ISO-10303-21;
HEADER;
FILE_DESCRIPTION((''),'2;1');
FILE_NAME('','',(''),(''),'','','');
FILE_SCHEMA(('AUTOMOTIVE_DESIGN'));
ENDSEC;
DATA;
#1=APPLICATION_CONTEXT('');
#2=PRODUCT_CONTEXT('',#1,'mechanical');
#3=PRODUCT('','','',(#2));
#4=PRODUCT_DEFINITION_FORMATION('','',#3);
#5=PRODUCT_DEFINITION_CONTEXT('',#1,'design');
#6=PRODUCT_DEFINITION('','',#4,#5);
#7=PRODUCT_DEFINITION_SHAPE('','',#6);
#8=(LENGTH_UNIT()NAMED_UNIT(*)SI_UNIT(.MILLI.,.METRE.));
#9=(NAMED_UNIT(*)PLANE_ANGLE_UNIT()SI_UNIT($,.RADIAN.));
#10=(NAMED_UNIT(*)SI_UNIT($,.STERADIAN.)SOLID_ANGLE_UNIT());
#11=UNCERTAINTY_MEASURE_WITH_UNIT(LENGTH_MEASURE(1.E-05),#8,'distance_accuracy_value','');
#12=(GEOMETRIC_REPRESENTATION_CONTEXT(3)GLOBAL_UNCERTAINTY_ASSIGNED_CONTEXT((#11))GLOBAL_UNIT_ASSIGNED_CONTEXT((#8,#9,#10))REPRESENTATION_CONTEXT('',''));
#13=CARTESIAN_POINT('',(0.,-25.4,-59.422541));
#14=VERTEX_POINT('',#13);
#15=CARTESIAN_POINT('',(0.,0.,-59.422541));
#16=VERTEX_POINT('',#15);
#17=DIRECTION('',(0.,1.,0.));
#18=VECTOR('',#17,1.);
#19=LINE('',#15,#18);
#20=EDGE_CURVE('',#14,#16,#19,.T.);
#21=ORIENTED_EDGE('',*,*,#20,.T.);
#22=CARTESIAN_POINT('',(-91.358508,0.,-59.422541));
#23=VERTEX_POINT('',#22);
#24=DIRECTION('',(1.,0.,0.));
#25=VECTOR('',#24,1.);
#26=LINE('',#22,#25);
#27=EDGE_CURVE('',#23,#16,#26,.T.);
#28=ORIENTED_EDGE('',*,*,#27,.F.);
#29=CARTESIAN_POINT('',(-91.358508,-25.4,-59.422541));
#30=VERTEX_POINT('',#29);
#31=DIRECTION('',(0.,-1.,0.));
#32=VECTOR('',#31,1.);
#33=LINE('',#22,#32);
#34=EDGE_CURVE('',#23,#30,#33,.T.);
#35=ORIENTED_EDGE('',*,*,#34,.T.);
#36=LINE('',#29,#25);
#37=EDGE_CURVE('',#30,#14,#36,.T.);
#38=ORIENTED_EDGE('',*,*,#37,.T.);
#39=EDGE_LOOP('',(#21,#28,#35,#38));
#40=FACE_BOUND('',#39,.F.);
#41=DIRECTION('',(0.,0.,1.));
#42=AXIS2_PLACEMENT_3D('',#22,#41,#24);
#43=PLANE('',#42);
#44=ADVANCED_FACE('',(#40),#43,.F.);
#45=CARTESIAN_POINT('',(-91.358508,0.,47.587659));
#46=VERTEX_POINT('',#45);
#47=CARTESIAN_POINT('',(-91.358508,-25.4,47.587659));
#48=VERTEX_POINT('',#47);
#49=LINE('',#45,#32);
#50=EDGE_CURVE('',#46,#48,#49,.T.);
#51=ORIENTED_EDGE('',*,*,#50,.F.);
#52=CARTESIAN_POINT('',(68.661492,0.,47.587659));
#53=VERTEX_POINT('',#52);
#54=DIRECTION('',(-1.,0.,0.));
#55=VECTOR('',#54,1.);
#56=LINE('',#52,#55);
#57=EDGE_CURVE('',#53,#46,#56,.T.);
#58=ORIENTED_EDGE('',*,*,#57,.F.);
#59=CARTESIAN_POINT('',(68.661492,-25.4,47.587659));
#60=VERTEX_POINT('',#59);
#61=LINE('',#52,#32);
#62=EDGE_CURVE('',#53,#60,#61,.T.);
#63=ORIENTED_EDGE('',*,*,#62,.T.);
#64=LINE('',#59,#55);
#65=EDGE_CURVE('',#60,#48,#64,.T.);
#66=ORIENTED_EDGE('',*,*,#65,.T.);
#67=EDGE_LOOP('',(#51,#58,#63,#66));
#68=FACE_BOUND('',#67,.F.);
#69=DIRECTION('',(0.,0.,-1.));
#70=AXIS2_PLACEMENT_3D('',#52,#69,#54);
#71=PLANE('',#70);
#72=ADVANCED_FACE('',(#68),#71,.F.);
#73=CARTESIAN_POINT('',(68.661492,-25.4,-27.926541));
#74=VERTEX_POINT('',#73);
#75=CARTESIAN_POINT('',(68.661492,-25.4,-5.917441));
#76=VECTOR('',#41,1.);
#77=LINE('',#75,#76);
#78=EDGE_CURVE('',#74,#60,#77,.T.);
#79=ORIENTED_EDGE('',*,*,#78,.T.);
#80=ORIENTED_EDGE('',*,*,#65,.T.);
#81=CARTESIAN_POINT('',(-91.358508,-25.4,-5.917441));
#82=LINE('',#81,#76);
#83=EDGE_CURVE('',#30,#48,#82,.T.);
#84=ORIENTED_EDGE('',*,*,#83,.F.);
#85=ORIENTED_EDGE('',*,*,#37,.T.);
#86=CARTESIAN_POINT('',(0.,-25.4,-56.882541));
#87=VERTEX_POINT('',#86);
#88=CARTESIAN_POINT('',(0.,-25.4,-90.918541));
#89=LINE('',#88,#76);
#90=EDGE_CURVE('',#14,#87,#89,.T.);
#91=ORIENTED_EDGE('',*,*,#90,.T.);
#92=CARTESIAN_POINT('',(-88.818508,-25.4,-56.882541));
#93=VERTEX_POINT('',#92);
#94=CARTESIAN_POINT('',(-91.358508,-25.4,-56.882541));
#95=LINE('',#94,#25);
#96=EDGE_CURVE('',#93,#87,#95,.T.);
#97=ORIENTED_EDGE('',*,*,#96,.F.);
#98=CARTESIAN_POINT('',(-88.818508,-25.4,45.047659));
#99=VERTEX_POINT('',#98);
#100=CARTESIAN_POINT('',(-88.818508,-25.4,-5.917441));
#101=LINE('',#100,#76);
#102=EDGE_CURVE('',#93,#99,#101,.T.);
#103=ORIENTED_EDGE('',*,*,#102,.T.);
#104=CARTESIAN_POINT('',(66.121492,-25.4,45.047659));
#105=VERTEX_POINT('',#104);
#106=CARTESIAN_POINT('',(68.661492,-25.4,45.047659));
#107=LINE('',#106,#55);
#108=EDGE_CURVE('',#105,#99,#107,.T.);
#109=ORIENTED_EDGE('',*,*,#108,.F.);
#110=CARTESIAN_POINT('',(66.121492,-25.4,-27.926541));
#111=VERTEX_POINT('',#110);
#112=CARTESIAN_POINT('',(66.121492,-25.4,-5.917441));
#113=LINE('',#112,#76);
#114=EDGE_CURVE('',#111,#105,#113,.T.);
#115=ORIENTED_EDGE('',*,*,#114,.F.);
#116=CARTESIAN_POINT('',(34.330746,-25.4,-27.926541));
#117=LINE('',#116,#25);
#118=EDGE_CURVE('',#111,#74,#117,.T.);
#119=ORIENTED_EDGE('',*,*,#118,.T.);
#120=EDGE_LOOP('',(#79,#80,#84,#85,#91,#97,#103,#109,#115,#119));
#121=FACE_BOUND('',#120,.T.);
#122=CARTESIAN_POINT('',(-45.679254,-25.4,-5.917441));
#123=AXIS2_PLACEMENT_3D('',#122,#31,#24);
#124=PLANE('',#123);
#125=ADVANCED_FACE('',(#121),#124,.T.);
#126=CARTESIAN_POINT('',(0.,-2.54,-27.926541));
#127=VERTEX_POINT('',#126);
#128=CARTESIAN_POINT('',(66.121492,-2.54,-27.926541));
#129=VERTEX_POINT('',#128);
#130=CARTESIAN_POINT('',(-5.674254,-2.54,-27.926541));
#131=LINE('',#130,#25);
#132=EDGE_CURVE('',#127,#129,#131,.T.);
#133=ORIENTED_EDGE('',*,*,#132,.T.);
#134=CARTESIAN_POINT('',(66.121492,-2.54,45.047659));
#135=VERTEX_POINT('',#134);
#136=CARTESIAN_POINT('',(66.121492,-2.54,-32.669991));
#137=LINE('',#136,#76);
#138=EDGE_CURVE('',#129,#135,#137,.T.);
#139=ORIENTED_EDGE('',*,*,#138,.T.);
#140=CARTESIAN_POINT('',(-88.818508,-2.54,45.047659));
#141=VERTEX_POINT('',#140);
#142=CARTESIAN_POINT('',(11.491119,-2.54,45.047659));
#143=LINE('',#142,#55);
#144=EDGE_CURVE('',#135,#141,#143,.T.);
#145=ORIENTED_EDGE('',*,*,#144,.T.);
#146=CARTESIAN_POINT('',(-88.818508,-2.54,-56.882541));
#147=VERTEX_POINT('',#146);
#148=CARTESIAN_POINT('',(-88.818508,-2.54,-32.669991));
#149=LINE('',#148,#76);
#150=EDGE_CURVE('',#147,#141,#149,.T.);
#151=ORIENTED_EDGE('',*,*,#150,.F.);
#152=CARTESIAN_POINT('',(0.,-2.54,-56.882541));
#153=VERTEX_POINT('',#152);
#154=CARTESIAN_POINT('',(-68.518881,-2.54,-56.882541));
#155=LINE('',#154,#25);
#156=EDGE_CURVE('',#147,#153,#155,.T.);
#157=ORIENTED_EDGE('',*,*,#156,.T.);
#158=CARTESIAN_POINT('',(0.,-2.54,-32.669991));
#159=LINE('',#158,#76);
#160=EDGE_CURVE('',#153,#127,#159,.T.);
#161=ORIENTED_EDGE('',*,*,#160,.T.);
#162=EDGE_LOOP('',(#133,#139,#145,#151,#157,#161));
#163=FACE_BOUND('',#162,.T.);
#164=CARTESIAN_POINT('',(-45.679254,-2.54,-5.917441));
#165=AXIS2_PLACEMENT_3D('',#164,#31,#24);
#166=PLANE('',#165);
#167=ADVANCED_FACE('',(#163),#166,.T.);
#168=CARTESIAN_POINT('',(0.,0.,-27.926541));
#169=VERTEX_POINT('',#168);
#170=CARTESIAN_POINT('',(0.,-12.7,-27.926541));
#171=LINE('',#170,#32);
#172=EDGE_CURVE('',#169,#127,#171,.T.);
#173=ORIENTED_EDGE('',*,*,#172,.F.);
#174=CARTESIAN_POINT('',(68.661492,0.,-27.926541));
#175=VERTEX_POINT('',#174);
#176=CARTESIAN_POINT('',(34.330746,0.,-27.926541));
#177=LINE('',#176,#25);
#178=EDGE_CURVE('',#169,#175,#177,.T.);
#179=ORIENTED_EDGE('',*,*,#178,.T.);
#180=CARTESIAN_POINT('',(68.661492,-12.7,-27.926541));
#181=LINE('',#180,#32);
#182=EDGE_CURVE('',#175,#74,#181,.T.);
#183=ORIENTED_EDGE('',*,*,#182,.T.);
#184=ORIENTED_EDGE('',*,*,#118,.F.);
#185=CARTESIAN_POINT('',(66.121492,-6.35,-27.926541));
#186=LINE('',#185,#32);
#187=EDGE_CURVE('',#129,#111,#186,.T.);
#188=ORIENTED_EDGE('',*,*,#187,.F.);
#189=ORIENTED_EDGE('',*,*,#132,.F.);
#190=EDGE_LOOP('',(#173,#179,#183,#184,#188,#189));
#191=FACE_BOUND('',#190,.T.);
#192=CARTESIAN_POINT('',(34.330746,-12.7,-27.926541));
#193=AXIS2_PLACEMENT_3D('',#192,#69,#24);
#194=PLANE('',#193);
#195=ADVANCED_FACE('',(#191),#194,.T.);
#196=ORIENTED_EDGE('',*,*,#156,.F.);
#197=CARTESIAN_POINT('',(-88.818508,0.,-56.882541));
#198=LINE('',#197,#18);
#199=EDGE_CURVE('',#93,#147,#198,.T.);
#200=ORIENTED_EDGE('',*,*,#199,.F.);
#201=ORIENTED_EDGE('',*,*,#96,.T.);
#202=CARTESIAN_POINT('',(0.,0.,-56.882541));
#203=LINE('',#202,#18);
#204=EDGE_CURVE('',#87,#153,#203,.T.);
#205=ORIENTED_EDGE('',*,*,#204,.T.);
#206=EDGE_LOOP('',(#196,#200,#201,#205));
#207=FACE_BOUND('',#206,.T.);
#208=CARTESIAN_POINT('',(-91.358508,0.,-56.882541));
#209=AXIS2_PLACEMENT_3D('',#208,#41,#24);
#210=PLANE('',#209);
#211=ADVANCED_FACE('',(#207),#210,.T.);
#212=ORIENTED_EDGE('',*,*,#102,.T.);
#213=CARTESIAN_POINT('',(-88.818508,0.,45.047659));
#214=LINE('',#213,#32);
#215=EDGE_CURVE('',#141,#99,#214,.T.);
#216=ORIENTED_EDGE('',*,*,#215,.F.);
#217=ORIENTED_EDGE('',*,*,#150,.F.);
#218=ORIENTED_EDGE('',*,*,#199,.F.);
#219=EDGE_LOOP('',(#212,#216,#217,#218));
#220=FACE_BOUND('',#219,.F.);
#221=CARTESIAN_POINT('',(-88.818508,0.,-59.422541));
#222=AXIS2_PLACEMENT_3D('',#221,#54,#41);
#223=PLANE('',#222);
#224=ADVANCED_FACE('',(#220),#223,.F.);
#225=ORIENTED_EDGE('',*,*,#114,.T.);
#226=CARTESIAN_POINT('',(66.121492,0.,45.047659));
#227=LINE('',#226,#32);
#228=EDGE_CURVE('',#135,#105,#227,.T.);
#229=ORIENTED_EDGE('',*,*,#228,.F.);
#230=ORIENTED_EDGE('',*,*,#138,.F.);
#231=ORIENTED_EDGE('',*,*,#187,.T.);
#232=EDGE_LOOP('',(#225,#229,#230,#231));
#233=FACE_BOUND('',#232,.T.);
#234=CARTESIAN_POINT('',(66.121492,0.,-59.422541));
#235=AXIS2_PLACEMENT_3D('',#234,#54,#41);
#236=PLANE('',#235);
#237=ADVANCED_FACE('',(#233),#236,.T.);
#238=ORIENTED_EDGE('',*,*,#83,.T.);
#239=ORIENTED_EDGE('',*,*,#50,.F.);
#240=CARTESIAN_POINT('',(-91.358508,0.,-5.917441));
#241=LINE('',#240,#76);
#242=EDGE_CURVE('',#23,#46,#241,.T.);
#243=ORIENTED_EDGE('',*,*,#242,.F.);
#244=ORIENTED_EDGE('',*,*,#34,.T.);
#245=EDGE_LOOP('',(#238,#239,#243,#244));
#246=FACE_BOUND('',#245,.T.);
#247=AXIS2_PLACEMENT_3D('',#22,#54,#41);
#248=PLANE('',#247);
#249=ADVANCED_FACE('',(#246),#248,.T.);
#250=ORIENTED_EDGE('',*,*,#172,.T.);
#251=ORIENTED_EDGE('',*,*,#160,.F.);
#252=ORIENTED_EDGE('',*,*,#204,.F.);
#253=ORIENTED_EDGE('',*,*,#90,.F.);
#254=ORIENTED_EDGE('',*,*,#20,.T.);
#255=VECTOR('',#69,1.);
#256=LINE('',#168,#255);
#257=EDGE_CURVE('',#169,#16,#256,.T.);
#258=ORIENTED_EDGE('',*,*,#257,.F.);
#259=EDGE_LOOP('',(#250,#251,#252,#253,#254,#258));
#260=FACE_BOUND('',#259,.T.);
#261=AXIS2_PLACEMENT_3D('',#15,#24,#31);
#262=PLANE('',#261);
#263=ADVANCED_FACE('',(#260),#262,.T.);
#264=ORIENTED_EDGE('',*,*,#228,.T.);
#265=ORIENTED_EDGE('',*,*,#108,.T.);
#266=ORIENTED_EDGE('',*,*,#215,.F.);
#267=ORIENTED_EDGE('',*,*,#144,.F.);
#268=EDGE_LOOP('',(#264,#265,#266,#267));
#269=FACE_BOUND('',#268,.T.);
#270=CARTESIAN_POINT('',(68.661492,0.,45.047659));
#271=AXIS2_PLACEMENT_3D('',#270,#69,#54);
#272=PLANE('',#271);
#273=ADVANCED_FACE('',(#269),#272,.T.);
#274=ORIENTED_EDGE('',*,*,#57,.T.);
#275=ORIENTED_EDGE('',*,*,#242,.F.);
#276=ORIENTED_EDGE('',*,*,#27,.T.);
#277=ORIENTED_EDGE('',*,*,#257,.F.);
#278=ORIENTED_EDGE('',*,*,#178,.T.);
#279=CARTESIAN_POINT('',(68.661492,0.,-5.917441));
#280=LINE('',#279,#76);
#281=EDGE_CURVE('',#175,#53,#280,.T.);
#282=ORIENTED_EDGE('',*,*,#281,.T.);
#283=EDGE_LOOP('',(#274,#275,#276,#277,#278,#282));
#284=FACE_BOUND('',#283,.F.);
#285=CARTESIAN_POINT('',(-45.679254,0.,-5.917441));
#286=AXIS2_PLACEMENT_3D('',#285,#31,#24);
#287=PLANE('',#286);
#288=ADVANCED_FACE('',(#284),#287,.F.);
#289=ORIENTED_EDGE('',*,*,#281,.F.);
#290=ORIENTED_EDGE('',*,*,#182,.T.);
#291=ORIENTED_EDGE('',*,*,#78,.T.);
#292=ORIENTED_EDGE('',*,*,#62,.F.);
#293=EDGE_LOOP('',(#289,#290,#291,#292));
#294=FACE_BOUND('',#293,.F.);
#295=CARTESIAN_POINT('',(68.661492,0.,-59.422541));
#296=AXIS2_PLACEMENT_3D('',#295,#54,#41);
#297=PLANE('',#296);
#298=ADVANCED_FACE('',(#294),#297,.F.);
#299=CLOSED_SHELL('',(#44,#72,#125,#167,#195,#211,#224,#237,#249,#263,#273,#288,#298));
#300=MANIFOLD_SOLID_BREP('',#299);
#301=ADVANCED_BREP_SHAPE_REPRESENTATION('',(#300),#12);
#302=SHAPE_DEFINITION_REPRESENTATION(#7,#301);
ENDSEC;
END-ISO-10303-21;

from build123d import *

# Parameters (mm, degrees)
F0_W     = 91.358508
F0_H     = 107.0102
F0_W_2   = 68.661492
F1_DEPTH = 25.4
F2_T     = -2.54
F3_W     = 68.661492
F3_H     = 25.4
F4_DEPTH = 31.496


with BuildPart() as f1:
    # F0 (on Front) → F1 (new body)
    with BuildSketch(Plane.XZ):
        with Locations((-45.679254, -5.917441)):
            Rectangle(F0_W, F0_H)
        with Locations((34.330746, -5.917441)):
            Rectangle(F0_W_2, F0_H)
    extrude(amount=F1_DEPTH)

    # F2
    f2_openings = [f1.faces().sort_by_distance(p)[0] for p in [
        (-11.348508, -25.4, -5.917441),
    ]]
    offset(amount=F2_T, openings=f2_openings)

    # F3 (on face) → F4 (cut, symmetric)
    with BuildSketch(Plane(origin=(0, 0, -59.422541), x_dir=(1, 0, 0), z_dir=(0, 0, -1))):
        with Locations((34.330746, 12.7)):
            Rectangle(F3_W, F3_H)
    extrude(amount=F4_DEPTH, both=True, mode=Mode.SUBTRACT)


solid = f1.part
